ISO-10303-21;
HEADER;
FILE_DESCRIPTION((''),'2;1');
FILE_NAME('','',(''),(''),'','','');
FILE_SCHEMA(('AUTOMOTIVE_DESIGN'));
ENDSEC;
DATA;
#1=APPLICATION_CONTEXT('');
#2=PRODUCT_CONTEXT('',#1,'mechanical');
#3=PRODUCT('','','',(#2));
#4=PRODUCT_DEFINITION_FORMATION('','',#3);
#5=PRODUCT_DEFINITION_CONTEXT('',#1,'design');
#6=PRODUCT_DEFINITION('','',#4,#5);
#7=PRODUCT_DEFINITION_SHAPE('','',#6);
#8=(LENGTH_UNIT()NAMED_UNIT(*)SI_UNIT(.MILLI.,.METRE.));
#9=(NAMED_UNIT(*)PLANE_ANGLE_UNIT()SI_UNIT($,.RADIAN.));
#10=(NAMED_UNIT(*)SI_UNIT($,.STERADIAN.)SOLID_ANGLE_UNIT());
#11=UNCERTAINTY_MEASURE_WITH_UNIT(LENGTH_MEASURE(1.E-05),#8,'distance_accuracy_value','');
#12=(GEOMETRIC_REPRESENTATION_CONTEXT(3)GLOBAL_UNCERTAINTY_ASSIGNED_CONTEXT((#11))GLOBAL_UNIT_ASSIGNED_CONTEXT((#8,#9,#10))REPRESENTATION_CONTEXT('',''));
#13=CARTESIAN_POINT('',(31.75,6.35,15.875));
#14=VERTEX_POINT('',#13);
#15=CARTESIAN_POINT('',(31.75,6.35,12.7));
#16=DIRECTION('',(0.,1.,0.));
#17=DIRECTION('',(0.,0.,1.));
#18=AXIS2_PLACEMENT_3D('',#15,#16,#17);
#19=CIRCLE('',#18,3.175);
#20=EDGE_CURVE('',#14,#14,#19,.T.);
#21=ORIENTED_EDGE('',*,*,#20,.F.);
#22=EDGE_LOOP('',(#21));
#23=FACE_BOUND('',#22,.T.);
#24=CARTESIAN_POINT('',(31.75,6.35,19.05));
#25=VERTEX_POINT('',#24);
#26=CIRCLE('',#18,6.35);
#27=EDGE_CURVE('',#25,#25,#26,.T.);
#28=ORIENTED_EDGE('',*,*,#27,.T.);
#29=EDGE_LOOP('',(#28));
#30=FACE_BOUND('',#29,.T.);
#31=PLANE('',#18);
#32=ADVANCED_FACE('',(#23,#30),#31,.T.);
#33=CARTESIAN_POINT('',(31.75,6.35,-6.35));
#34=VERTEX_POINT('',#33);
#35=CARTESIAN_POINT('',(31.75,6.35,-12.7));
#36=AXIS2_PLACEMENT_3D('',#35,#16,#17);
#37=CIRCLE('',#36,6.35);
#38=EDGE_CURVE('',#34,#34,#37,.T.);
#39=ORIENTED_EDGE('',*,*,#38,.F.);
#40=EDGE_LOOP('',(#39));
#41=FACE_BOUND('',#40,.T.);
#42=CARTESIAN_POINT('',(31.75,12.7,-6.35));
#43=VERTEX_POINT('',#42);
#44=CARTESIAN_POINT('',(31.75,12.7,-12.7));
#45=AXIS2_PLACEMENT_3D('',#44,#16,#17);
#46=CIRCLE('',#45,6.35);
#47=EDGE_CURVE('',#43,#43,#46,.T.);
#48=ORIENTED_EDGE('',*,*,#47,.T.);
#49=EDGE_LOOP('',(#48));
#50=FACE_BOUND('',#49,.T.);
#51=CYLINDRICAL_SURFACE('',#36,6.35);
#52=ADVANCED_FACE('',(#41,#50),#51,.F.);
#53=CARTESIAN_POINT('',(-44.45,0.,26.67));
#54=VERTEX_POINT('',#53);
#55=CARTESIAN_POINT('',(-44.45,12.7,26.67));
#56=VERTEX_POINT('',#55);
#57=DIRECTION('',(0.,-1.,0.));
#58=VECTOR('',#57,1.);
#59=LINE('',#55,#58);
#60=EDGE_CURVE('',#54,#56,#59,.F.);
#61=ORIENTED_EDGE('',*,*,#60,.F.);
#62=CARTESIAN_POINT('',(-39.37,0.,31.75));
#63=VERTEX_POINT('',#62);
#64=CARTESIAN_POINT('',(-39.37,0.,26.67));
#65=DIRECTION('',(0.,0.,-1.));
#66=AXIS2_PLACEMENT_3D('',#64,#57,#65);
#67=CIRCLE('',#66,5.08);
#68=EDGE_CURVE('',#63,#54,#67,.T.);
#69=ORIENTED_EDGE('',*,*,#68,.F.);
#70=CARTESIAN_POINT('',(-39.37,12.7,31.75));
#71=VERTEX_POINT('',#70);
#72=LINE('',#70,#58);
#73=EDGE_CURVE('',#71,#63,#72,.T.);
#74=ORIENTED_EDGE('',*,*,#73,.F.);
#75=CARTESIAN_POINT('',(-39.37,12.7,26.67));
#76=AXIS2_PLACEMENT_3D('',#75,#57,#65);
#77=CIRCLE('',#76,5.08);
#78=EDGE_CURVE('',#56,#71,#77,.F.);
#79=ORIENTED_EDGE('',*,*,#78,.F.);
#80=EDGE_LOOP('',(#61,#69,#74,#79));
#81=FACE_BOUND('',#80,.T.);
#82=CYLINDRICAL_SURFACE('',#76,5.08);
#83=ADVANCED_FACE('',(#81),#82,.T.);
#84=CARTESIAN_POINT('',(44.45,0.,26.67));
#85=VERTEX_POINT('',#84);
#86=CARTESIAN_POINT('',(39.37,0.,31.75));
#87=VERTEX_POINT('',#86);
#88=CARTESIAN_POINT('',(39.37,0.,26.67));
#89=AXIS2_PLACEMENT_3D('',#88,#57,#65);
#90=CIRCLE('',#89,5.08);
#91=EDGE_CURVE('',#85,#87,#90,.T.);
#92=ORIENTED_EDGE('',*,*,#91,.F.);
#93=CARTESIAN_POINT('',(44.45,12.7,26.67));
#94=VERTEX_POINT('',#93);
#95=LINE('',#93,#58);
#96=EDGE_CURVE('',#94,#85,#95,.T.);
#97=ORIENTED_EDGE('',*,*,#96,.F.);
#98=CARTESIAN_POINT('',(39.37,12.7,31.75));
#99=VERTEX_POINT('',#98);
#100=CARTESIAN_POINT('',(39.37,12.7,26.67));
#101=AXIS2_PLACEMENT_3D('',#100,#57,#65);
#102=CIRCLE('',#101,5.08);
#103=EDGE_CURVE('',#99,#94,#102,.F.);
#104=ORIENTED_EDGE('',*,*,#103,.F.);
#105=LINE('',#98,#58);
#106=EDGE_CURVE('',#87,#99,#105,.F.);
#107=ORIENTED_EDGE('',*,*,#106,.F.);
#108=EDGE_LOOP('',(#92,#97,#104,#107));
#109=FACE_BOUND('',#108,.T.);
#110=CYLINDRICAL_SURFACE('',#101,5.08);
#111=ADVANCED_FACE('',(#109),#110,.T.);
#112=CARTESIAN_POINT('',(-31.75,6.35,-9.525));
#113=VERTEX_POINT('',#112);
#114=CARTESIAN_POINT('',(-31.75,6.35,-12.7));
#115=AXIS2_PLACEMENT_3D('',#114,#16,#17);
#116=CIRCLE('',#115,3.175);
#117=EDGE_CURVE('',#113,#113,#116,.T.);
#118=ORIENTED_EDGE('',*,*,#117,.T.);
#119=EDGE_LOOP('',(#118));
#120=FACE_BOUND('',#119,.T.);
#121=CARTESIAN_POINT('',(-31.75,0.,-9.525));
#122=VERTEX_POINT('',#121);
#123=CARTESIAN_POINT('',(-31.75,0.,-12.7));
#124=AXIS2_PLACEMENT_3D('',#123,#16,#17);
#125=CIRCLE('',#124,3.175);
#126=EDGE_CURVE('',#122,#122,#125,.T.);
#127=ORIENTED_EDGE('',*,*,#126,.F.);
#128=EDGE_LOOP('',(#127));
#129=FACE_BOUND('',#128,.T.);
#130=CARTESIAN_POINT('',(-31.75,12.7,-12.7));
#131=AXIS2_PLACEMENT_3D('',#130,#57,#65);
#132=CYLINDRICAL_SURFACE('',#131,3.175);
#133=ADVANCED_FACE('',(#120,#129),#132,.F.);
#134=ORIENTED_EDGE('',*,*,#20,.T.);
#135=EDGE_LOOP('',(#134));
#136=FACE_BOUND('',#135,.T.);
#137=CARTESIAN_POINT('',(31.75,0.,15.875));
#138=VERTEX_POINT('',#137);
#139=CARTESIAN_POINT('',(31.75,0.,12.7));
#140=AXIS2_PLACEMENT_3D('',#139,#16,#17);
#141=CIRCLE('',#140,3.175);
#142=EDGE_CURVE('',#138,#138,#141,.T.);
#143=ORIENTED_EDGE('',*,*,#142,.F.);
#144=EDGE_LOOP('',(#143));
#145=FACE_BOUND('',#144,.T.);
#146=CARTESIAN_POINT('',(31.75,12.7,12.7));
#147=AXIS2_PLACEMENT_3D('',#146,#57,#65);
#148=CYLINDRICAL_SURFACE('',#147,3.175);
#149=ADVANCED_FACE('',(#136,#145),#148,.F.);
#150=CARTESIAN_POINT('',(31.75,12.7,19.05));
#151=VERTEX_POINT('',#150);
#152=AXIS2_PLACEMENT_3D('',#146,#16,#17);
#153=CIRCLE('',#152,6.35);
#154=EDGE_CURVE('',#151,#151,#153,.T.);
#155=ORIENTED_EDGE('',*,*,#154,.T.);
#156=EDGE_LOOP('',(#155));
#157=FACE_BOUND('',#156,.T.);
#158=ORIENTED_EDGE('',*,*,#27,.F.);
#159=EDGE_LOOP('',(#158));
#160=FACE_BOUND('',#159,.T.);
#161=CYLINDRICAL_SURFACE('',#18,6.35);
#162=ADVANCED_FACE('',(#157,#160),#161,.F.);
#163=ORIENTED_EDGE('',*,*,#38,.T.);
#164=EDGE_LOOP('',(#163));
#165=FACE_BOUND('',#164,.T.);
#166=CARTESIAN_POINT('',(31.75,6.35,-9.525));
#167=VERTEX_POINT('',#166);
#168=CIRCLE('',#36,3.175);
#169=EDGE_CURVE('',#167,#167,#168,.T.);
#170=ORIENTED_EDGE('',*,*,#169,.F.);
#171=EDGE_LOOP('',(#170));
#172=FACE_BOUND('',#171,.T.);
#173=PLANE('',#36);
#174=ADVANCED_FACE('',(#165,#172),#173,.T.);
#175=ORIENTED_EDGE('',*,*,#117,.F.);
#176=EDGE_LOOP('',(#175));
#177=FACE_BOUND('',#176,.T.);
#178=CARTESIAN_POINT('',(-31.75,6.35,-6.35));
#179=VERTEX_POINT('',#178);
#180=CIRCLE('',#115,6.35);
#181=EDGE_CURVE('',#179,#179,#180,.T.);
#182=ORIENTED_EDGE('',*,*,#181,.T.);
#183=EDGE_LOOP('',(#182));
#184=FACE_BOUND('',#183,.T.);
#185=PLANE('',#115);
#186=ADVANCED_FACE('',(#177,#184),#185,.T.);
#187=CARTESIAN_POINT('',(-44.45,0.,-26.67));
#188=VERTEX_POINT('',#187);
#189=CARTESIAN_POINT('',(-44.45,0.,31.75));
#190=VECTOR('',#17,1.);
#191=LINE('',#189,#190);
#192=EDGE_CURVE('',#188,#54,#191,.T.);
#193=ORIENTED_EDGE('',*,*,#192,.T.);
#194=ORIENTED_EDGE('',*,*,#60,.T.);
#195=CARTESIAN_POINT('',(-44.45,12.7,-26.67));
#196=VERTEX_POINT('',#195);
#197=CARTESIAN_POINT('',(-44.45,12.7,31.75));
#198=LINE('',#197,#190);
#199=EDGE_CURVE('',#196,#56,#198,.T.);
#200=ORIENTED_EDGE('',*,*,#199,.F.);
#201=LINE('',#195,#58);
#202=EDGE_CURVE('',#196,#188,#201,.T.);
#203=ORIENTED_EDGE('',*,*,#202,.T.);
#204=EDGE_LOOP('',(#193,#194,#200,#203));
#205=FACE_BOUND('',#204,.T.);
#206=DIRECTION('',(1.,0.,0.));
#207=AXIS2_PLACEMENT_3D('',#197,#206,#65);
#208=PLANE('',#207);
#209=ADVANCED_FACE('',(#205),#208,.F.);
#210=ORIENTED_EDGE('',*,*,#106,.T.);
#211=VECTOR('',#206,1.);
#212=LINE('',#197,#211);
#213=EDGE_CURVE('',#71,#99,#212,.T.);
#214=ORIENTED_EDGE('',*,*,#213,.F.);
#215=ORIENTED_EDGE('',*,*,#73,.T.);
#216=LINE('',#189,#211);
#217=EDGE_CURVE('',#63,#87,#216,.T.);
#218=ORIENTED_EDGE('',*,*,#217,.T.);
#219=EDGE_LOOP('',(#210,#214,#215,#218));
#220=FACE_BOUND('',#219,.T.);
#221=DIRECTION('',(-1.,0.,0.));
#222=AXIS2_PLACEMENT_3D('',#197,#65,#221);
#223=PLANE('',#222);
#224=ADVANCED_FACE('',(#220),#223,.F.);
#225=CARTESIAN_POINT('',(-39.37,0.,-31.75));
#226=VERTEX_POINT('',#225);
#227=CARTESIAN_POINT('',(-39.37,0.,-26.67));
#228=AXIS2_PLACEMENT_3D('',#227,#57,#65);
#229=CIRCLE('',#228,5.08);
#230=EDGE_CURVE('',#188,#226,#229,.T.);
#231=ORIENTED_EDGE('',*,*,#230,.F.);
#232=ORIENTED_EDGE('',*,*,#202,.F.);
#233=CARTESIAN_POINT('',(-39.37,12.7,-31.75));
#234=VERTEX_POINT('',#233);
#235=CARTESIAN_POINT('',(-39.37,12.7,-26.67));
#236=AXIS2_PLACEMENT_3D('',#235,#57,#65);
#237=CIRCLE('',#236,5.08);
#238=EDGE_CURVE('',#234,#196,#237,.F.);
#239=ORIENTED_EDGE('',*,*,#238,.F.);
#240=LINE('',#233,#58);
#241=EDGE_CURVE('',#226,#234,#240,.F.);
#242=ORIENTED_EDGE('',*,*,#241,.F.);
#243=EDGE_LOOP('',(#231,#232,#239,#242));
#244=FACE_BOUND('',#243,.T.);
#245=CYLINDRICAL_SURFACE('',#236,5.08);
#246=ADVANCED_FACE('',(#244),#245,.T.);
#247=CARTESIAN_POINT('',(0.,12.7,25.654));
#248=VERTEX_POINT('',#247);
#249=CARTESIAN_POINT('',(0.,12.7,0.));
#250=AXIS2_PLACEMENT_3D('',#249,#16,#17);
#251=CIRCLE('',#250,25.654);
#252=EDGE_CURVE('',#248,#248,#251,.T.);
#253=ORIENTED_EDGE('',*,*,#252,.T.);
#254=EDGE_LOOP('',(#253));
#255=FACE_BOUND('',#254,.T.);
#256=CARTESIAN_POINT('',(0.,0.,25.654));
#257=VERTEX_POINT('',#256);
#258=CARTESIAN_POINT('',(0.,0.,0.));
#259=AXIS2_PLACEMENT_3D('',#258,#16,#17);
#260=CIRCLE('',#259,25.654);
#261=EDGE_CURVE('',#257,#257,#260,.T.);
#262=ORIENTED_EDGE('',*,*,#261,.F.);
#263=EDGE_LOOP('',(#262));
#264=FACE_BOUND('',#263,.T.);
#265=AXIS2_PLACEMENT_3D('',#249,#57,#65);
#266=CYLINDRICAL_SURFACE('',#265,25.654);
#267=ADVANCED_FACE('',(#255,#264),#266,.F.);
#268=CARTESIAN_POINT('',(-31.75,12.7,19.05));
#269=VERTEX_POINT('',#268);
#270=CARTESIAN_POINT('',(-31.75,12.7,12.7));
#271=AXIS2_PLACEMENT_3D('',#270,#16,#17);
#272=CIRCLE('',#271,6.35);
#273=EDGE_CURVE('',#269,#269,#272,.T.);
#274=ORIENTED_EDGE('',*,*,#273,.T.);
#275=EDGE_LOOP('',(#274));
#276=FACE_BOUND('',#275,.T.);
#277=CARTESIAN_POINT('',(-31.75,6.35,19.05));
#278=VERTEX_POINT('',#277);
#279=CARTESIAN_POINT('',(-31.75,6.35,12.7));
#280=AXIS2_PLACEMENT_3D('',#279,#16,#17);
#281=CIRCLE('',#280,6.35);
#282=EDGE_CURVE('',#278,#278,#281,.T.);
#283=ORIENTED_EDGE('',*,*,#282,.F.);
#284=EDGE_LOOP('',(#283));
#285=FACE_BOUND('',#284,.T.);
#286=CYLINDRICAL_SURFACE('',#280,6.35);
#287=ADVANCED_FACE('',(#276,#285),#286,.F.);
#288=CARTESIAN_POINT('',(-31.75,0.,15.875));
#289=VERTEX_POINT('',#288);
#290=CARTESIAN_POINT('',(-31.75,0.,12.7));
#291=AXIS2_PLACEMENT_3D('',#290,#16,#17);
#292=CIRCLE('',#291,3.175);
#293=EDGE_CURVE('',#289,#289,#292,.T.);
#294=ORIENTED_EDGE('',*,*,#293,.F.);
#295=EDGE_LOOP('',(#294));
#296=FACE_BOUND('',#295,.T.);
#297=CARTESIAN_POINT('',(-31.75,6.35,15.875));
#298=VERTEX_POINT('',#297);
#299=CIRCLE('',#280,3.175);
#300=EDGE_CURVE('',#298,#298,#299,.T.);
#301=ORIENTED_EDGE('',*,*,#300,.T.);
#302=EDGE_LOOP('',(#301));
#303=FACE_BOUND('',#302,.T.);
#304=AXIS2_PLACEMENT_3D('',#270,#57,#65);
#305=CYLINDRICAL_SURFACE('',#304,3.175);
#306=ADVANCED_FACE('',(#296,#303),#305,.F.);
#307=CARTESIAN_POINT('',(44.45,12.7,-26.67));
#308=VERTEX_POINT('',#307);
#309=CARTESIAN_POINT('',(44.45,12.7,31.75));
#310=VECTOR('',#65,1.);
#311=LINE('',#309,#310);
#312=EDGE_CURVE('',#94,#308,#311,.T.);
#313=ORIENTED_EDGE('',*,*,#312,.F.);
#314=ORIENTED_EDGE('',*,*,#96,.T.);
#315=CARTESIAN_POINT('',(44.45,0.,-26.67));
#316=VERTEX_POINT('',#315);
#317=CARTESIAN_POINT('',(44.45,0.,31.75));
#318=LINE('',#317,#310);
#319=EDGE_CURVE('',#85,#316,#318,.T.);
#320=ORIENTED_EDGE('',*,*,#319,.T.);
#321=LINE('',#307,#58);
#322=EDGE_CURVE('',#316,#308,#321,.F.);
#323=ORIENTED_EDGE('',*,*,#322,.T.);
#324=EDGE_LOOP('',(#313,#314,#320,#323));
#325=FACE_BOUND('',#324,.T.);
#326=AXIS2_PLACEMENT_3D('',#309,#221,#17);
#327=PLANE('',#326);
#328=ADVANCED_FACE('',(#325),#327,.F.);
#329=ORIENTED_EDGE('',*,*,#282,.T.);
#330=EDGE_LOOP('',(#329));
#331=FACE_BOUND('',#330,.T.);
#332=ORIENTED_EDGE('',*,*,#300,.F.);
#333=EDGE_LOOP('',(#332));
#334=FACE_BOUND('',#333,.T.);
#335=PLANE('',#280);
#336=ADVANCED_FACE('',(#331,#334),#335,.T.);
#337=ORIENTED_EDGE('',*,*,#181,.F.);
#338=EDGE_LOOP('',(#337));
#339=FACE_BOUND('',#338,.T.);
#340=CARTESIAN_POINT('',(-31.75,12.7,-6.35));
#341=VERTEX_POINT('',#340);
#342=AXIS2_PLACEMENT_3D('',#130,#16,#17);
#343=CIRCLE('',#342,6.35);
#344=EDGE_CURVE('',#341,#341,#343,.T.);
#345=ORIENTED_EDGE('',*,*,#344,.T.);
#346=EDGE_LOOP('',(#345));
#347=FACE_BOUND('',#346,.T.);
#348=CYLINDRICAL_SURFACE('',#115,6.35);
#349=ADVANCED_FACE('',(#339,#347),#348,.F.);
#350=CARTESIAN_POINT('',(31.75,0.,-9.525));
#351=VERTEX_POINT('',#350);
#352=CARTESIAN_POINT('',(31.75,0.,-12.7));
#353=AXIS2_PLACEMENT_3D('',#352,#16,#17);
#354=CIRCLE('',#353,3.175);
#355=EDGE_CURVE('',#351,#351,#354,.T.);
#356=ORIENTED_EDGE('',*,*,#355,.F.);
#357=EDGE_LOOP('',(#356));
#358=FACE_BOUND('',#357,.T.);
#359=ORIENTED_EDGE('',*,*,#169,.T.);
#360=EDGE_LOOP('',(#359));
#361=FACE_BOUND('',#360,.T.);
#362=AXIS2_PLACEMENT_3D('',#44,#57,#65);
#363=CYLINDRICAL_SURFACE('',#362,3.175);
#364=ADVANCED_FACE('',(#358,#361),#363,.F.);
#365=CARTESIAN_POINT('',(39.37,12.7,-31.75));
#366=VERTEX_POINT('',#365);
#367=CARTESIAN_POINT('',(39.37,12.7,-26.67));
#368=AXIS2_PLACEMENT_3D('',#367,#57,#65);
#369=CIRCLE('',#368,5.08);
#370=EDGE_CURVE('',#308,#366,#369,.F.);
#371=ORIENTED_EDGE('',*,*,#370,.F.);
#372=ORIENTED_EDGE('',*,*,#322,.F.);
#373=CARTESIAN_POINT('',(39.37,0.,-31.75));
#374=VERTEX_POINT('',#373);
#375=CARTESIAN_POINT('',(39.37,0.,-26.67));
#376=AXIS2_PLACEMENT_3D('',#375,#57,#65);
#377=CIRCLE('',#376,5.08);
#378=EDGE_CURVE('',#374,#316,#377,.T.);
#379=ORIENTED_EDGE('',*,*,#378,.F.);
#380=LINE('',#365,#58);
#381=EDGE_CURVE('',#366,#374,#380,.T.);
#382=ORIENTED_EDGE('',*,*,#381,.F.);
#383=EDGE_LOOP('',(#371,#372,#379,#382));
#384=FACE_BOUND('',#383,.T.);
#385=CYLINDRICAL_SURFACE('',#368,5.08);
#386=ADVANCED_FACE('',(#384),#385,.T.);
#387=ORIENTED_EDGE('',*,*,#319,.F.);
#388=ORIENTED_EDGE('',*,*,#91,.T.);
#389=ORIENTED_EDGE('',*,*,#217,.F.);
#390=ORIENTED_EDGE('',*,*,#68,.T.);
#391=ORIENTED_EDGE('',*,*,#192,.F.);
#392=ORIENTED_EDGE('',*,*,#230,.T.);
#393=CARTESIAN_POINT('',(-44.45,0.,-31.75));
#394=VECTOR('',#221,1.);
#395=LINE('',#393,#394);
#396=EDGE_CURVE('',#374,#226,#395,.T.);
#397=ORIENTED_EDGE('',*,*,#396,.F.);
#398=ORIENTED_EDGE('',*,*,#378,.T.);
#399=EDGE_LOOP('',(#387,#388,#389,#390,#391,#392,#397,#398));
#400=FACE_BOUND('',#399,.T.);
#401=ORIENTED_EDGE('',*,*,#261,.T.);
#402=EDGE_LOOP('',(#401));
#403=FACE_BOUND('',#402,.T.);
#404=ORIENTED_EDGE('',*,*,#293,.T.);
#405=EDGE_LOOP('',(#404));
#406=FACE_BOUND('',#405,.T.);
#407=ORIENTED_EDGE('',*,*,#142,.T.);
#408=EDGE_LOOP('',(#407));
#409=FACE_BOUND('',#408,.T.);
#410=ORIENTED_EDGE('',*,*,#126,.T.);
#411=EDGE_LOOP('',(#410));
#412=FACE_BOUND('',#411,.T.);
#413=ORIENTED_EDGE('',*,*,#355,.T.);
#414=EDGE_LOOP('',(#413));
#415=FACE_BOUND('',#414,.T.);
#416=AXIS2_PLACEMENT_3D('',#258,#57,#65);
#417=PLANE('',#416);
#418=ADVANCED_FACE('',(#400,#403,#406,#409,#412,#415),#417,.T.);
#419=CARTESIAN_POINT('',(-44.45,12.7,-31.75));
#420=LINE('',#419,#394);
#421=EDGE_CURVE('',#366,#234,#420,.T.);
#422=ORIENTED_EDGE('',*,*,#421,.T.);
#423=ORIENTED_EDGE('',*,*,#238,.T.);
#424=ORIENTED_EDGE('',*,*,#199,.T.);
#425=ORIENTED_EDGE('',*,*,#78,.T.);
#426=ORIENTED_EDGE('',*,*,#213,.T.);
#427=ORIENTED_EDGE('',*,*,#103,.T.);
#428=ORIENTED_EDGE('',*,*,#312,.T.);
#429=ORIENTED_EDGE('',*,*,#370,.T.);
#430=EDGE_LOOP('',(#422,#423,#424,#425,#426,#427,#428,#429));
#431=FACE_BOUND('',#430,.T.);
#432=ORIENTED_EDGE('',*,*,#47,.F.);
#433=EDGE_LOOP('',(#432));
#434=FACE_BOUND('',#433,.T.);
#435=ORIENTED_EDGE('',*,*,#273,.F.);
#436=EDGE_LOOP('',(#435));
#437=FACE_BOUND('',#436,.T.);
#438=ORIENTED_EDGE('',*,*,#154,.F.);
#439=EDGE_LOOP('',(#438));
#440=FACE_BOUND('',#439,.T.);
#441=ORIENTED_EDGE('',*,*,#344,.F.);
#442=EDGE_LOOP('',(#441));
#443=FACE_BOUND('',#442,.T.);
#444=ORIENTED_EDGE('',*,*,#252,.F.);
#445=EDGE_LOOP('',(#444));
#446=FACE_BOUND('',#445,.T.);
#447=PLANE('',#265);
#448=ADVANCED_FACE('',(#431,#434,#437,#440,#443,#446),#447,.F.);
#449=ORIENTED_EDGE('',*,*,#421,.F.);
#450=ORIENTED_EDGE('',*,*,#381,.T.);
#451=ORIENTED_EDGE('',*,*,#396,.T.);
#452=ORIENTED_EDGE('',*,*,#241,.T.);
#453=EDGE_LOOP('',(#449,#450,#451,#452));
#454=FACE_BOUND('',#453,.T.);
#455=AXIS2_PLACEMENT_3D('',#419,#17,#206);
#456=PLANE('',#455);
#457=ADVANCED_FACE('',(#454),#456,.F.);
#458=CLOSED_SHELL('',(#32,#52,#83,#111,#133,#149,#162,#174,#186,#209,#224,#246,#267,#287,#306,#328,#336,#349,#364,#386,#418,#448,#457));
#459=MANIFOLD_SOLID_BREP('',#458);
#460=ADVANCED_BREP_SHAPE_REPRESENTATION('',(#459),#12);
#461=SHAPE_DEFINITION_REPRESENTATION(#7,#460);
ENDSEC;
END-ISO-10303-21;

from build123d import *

# Parameters (mm, degrees)
SKETCH1_W           = 88.9
SKETCH1_H           = 63.5
SKETCH1_R           = 25.654
SKETCH1_R_2         = 3.175
BOSS_EXTRUDE1_DEPTH = 12.7
FILLET1_R           = 5.08
SKETCH2_R           = 6.35
CUT_EXTRUDE1_DEPTH  = 6.35


with BuildPart() as part:
    # Sketch1 → Boss-Extrude1 (new body)
    with BuildSketch(Plane(origin=(0, 0, 0), x_dir=(1, 0, 0), z_dir=(0, 1, 0))):
        Rectangle(SKETCH1_W, SKETCH1_H)
        with Locations(Location((0, 0, 0), (0, 0, 270))):
            Circle(SKETCH1_R, mode=Mode.SUBTRACT)
        with Locations(Location((-31.75, 12.7, 0), (0, 0, 270))):
            Circle(SKETCH1_R_2, mode=Mode.SUBTRACT)
        with Locations(Location((-31.75, -12.7, 0), (0, 0, 270))):
            Circle(SKETCH1_R_2, mode=Mode.SUBTRACT)
        with Locations(Location((31.75, -12.7, 0), (0, 0, 270))):
            Circle(SKETCH1_R_2, mode=Mode.SUBTRACT)
        with Locations(Location((31.75, 12.7, 0), (0, 0, 270))):
            Circle(SKETCH1_R_2, mode=Mode.SUBTRACT)
    extrude(amount=BOSS_EXTRUDE1_DEPTH)

    # Fillet1
    fillet1_edges = [part.edges().sort_by_distance(p)[0] for p in [
        (44.45, 6.35, 31.75),
        (-44.45, 6.35, 31.75),
        (-44.45, 6.35, -31.75),
        (44.45, 6.35, -31.75),
    ]]
    fillet(fillet1_edges, radius=FILLET1_R)

    # Sketch2 → Cut-Extrude1 (cut)
    with BuildSketch(Plane(origin=(0, 12.7, 0), x_dir=(1, 0, 0), z_dir=(0, 1, 0))):
        with Locations(Location((-31.75, 12.7, 0), (0, 0, 270))):
            Circle(SKETCH2_R)
        with Locations(Location((-31.75, -12.7, 0), (0, 0, 270))):
            Circle(SKETCH2_R)
        with Locations(Location((31.75, -12.7, 0), (0, 0, 270))):
            Circle(SKETCH2_R)
        with Locations(Location((31.75, 12.7, 0), (0, 0, 270))):
            Circle(SKETCH2_R)
    extrude(amount=-CUT_EXTRUDE1_DEPTH, mode=Mode.SUBTRACT)


solid = part.part
